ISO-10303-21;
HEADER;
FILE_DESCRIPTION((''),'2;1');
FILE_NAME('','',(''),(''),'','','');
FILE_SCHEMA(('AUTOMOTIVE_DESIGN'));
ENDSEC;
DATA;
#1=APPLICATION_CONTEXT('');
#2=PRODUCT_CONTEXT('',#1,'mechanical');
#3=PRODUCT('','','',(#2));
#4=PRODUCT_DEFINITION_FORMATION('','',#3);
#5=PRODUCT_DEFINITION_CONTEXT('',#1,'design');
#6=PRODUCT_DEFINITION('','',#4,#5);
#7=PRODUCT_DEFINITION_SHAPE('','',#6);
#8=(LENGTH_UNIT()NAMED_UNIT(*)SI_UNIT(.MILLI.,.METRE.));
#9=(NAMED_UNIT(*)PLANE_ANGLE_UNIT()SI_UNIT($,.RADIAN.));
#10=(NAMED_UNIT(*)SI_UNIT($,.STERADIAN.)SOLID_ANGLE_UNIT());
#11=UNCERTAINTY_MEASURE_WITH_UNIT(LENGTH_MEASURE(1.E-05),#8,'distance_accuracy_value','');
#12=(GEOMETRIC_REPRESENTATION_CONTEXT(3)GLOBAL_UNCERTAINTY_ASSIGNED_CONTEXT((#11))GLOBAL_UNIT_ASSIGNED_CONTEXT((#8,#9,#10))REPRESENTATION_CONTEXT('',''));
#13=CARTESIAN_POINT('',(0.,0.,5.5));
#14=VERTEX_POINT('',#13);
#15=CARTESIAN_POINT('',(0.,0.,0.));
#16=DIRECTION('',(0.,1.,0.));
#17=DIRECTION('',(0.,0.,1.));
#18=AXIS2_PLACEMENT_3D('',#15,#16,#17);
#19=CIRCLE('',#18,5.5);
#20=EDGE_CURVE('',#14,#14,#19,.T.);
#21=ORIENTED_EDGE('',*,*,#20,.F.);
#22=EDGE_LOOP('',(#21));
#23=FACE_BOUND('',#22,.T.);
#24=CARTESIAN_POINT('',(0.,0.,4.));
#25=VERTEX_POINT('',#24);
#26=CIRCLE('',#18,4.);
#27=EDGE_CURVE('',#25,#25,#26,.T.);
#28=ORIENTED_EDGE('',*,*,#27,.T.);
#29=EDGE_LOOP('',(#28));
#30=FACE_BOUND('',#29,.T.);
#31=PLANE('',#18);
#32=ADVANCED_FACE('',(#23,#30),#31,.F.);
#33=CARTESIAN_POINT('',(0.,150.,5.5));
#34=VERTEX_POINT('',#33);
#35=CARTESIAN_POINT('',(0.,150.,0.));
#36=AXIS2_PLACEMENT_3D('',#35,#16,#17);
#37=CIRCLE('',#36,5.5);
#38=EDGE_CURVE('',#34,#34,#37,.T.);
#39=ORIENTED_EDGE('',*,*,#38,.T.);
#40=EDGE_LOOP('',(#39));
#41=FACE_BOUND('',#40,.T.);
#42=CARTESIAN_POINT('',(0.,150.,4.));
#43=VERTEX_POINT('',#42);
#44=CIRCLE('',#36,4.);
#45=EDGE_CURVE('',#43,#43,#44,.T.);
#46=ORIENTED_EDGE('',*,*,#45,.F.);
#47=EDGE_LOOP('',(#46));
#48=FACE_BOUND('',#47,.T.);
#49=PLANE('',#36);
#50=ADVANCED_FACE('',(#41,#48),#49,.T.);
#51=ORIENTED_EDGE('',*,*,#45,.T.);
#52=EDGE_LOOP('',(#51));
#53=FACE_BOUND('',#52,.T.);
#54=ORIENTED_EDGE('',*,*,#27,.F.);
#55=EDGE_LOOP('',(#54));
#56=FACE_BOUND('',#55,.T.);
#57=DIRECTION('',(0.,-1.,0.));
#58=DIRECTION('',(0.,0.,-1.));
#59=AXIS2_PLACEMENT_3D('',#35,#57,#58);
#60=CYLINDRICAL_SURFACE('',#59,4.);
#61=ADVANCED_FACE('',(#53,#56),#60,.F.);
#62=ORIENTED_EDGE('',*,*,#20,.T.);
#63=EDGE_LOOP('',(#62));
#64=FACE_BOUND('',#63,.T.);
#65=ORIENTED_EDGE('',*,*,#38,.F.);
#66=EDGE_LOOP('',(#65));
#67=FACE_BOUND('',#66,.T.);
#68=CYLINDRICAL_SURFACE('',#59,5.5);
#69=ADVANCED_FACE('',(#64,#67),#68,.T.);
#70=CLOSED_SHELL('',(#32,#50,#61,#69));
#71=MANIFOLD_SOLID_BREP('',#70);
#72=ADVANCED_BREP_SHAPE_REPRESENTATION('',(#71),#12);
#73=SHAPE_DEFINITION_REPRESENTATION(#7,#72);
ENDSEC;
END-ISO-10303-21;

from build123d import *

# Parameters (mm, degrees)
SKETCH_1_R      = 5.5
SKETCH_1_R_2    = 4
EXTRUDE_1_DEPTH = 150


with BuildPart() as part:
    # 草图1 → 凸台-拉伸1 (new body)
    with BuildSketch(Plane(origin=(0, 0, 0), x_dir=(1, 0, 0), z_dir=(0, 1, 0))):
        with Locations(Location((0, 0, 0), (0, 0, 270))):
            Circle(SKETCH_1_R)
        with Locations(Location((0, 0, 0), (0, 0, 270))):
            Circle(SKETCH_1_R_2, mode=Mode.SUBTRACT)
    extrude(amount=EXTRUDE_1_DEPTH)


solid = part.part
